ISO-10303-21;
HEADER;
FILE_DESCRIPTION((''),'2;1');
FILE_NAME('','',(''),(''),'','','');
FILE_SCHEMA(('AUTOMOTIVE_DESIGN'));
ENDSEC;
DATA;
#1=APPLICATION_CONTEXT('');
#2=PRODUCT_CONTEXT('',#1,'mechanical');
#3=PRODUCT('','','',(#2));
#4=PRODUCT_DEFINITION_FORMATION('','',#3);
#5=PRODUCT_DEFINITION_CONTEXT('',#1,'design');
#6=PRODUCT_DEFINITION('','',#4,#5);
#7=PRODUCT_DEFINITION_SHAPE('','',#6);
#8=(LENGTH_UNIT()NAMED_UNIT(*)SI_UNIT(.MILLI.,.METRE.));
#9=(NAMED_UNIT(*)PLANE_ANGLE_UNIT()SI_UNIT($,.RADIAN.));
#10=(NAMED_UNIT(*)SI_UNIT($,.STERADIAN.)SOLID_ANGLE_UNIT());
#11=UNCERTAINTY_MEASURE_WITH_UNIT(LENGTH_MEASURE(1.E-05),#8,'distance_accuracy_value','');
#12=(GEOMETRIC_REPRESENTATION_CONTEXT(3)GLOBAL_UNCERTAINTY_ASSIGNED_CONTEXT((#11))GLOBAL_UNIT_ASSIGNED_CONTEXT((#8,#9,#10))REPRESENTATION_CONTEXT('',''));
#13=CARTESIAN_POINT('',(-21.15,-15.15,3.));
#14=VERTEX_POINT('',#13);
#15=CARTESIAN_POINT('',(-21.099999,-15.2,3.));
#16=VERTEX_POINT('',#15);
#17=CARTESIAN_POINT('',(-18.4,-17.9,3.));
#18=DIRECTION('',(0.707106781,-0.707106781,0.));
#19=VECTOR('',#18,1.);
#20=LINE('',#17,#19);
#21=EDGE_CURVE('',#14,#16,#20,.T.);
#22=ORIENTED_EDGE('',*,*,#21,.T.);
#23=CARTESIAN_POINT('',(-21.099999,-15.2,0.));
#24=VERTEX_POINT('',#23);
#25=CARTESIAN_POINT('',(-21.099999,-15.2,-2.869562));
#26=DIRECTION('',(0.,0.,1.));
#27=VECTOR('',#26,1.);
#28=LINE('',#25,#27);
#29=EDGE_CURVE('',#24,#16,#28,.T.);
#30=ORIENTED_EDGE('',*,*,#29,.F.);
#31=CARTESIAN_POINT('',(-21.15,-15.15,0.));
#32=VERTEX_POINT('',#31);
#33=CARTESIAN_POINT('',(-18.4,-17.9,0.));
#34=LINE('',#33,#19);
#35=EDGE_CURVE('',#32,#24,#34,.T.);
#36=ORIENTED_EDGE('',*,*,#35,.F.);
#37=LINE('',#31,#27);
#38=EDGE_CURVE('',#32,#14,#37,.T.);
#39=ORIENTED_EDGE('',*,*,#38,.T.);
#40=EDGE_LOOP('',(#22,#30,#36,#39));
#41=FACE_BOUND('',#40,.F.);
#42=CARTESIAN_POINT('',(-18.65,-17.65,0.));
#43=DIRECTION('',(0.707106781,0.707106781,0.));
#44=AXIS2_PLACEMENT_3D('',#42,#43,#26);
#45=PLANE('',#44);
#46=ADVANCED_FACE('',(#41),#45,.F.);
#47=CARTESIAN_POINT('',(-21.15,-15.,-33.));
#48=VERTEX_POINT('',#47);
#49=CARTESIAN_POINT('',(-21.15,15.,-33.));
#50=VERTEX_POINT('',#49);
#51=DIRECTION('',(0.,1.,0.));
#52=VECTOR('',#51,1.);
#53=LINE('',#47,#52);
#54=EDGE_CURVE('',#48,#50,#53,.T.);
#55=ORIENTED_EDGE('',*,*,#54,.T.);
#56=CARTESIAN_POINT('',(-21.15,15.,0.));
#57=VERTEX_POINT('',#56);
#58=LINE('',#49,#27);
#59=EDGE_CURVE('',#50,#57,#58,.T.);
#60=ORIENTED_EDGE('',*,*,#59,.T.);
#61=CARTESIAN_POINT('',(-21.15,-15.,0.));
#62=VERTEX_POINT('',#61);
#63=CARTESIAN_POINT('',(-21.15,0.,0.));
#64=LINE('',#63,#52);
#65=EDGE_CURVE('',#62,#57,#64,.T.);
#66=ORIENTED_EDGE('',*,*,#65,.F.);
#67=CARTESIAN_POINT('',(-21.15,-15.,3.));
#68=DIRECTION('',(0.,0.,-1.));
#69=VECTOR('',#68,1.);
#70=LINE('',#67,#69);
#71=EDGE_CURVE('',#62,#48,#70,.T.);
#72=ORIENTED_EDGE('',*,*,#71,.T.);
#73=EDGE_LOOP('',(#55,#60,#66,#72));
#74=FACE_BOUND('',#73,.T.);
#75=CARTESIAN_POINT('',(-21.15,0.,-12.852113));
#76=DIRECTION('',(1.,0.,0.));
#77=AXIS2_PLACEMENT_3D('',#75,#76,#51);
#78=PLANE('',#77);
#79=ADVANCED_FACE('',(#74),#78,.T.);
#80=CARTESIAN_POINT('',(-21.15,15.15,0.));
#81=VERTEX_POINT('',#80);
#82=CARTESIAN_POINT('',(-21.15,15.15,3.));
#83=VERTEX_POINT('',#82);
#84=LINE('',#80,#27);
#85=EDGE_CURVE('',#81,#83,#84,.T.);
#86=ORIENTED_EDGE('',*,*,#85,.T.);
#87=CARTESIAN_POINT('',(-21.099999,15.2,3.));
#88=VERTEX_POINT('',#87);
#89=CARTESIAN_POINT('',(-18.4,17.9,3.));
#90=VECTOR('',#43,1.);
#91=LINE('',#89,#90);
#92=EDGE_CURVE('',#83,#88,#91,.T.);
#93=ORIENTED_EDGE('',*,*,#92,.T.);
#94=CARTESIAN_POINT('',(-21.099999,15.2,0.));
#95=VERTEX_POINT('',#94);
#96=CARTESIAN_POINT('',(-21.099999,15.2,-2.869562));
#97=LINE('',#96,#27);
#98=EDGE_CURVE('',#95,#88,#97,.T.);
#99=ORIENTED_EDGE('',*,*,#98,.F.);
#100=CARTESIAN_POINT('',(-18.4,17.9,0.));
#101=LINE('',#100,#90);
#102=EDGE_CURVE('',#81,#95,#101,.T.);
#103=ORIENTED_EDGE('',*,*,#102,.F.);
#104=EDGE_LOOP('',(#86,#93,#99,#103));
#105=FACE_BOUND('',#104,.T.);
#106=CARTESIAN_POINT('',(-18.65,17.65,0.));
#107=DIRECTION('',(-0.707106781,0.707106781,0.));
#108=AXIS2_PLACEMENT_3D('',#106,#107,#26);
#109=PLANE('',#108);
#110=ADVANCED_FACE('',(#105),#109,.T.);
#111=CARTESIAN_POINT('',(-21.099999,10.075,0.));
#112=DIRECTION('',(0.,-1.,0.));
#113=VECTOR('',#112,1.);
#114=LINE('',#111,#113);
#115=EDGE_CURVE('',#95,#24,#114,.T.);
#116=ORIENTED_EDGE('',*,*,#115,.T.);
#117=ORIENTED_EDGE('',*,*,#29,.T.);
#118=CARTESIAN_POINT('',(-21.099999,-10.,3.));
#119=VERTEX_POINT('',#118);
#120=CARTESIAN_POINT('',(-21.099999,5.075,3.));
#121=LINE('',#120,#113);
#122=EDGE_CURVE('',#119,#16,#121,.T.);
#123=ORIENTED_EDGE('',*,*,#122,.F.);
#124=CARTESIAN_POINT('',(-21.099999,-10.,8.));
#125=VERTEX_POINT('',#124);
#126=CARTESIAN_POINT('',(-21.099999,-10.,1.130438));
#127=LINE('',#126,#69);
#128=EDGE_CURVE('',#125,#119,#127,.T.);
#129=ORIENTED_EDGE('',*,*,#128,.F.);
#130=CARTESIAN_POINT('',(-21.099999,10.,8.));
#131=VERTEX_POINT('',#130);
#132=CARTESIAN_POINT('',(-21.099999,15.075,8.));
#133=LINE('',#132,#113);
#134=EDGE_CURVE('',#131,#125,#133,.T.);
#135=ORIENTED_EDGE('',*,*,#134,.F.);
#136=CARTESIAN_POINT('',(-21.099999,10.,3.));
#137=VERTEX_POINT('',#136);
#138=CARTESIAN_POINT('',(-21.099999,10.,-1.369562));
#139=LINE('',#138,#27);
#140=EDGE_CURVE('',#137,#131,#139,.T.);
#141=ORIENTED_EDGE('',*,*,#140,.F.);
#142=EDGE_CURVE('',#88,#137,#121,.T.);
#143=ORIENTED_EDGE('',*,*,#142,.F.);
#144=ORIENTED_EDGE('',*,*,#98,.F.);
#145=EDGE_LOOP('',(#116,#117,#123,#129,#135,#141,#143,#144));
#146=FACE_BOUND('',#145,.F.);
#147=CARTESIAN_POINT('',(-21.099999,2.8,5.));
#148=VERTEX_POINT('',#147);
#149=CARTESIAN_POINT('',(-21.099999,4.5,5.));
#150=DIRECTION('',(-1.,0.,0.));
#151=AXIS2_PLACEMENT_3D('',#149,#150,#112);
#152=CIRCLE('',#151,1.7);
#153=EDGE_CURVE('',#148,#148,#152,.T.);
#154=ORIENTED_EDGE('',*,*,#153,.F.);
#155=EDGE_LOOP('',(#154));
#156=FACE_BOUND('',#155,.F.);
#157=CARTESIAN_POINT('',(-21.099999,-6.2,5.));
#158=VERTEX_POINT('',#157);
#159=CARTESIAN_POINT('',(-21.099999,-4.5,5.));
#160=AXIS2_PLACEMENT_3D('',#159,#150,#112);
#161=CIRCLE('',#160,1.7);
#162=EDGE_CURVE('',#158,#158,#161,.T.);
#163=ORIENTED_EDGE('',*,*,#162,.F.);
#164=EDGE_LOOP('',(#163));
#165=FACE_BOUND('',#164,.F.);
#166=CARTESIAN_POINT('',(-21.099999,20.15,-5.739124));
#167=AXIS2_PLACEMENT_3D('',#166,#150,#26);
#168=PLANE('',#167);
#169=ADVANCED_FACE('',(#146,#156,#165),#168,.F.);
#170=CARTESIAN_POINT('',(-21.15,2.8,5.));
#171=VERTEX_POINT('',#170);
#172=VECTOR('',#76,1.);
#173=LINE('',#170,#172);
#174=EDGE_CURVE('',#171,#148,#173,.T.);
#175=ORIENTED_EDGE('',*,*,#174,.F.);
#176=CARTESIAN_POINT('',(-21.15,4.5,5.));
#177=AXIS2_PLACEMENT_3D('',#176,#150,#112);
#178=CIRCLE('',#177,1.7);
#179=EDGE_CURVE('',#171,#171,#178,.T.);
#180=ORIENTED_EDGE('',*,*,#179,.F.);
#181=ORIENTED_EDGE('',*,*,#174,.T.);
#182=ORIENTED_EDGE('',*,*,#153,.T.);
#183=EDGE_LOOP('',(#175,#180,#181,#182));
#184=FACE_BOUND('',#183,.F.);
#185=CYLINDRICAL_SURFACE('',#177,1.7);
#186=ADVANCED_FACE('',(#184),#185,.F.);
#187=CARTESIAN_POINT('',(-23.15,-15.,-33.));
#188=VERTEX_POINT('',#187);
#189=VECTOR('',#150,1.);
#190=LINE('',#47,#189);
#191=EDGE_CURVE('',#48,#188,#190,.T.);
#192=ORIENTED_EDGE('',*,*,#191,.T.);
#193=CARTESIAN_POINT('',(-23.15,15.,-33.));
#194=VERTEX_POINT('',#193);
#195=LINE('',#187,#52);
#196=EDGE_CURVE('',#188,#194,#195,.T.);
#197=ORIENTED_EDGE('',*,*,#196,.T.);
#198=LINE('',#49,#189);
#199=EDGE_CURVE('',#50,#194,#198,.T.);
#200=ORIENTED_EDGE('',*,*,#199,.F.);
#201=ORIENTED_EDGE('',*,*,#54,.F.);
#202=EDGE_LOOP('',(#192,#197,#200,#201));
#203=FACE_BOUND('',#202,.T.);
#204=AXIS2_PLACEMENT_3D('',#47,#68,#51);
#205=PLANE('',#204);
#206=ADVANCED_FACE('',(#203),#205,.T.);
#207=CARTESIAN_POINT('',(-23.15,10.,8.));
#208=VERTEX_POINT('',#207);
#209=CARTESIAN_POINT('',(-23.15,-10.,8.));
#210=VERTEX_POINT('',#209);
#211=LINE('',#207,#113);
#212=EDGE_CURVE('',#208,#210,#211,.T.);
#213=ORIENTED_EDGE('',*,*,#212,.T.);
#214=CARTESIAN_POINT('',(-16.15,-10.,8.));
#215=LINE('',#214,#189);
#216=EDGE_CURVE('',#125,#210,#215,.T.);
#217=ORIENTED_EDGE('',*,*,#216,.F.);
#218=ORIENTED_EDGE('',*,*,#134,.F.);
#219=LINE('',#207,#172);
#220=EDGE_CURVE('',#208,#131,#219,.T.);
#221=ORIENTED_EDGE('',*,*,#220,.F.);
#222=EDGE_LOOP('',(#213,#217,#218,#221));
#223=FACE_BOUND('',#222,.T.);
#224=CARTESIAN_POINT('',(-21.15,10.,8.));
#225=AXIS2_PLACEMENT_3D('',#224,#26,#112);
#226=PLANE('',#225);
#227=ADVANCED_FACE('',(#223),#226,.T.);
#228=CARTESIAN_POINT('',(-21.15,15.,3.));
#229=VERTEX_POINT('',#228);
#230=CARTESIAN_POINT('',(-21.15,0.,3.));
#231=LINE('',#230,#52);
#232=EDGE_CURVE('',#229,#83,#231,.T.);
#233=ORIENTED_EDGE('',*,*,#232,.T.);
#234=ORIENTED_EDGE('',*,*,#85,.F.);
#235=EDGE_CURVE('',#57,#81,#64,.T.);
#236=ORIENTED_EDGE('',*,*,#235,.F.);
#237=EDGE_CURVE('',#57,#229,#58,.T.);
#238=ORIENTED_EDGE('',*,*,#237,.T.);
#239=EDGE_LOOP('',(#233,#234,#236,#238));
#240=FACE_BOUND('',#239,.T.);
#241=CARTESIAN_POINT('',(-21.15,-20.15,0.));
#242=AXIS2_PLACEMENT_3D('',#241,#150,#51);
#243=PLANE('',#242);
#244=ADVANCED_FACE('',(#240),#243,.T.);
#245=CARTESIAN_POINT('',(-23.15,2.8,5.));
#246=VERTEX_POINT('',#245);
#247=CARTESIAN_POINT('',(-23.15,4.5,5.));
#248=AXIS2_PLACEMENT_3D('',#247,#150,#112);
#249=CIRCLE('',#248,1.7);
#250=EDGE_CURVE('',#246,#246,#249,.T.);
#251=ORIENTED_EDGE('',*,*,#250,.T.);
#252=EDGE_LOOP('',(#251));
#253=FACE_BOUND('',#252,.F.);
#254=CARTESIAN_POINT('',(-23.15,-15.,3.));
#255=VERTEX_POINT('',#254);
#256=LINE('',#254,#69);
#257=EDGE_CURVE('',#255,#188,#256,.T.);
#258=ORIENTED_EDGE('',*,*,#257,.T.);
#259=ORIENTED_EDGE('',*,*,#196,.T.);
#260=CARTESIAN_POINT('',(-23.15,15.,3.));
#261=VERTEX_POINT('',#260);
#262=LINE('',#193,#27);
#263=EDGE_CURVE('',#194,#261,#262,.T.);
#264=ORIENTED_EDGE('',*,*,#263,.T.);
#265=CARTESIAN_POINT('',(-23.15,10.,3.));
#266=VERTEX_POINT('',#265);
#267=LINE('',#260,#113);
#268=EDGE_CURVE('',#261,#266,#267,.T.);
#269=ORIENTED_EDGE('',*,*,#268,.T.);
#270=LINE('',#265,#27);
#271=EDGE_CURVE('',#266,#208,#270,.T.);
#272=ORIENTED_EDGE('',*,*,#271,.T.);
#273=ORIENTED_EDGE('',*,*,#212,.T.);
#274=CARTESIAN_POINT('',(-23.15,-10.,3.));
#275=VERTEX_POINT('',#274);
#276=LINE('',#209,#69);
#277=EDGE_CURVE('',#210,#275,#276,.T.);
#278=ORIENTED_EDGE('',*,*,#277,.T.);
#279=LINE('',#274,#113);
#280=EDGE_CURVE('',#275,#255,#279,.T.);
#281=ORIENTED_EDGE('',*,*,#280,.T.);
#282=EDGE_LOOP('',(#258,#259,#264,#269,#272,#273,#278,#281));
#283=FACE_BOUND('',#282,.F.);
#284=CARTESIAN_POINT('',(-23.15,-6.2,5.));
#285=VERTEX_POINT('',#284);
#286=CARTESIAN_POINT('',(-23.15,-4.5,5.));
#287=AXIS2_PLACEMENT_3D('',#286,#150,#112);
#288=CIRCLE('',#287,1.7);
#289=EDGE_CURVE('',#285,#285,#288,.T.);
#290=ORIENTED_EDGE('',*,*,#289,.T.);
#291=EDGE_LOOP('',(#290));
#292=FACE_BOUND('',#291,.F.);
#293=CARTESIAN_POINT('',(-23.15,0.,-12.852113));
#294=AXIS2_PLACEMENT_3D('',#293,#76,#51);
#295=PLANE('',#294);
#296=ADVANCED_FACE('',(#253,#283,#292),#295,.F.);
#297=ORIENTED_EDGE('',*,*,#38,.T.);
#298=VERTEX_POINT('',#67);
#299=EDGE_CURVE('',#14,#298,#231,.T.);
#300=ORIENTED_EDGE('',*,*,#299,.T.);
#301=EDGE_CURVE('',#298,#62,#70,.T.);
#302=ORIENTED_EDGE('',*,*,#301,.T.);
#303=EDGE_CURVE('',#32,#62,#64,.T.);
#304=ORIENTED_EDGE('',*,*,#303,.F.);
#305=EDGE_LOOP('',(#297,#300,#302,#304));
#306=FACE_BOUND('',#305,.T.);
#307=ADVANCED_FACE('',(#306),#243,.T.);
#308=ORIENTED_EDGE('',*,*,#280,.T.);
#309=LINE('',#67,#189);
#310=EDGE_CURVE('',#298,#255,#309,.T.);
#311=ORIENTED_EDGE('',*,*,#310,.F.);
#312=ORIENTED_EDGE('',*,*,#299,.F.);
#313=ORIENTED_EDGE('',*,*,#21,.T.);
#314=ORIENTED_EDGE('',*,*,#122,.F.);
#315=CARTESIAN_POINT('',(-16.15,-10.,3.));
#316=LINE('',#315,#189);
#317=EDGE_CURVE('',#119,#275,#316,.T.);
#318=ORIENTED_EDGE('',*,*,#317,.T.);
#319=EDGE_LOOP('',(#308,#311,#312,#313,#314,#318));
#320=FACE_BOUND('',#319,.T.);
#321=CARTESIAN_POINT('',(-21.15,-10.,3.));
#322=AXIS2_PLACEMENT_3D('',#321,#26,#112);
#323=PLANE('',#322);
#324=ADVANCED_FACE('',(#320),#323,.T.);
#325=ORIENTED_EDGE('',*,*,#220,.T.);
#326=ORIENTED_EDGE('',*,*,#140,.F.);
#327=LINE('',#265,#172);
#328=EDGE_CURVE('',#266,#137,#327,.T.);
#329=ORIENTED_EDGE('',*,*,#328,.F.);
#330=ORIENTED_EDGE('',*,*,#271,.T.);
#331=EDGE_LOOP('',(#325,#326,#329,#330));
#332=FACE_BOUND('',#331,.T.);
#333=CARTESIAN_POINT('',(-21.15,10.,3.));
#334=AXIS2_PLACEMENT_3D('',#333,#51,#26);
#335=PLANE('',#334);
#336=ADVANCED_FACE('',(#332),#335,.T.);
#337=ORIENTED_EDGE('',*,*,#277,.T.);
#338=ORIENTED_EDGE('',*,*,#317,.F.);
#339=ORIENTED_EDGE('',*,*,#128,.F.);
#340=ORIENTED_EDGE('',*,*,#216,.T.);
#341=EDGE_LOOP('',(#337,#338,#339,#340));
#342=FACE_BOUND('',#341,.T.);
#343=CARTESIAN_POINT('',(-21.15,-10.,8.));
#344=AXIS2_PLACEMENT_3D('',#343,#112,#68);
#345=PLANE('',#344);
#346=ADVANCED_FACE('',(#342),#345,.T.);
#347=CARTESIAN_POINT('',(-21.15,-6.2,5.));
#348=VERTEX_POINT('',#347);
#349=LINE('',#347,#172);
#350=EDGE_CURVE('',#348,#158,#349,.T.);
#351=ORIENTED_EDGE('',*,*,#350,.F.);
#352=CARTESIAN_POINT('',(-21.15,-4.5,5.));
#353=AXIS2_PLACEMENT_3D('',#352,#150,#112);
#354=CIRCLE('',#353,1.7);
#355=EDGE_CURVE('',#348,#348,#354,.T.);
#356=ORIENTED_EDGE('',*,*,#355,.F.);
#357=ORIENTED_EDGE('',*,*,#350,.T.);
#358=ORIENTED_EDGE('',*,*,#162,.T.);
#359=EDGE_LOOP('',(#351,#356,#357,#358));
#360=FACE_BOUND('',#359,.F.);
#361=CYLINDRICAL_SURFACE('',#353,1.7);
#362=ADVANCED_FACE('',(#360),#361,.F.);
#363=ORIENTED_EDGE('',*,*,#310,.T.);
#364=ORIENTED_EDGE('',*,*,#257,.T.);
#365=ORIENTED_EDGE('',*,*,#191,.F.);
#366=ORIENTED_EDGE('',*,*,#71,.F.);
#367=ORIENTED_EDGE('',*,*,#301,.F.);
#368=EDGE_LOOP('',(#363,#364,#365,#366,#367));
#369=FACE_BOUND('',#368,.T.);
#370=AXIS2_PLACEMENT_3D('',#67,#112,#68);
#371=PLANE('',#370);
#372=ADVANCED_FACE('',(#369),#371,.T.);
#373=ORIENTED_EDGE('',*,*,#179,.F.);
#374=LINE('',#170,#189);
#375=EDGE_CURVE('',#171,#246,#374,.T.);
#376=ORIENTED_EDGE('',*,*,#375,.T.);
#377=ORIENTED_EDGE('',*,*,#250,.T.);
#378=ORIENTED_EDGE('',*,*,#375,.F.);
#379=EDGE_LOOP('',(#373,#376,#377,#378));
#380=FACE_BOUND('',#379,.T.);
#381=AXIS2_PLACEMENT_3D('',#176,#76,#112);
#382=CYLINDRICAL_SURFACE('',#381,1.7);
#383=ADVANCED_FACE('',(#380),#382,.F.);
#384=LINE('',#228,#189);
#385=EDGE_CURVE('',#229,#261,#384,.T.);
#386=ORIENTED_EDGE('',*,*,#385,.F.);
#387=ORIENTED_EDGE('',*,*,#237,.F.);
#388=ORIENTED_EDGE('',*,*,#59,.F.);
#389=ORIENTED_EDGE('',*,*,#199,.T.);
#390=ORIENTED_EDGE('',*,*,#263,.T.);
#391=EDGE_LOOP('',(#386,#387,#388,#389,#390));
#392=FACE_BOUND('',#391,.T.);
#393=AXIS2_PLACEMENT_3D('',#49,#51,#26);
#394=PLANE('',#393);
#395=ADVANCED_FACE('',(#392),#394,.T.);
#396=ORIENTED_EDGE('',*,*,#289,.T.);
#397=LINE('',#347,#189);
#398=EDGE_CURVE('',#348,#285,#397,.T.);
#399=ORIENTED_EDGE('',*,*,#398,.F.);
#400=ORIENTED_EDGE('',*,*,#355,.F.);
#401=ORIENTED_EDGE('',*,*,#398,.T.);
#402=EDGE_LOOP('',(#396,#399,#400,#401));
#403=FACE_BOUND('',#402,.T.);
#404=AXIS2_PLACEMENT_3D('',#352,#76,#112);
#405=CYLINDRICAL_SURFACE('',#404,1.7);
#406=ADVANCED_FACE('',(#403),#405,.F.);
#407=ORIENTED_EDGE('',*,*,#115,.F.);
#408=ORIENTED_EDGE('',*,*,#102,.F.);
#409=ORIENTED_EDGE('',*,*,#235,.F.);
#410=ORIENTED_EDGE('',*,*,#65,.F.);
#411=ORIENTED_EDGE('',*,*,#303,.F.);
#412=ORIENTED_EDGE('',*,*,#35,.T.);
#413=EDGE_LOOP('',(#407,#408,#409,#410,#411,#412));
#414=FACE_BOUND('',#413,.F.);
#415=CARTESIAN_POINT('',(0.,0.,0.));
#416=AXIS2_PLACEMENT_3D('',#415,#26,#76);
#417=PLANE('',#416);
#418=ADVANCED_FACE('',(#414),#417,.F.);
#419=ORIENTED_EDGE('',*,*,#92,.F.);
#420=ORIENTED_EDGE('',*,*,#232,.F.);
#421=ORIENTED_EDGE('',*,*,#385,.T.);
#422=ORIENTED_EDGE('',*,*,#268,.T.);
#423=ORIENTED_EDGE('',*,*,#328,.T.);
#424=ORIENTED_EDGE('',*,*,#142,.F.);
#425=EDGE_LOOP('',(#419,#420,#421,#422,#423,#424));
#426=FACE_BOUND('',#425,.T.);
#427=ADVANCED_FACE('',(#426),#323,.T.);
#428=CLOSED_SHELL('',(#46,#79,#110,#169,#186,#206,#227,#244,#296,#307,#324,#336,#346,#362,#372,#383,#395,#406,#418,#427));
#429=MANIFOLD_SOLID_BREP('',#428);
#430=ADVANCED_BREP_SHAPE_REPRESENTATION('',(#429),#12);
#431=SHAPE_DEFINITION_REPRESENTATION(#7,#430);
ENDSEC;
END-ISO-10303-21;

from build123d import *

# Parameters (mm, degrees)
SKETCH_W        = 42.3
SKETCH_H        = 40.3
SKETCH_R        = 12
SKETCH_R_2      = 1.7
PAD_DEPTH       = 3
CHAMFER_SIZE    = 5
SKETCH001_W     = 5
SKETCH001_H     = 20
PAD001_DEPTH    = 5
SKETCH002_R     = 1.7
POCKET_DEPTH    = 42.301
POCKET001_DEPTH = 1.5
SKETCH004_R     = 1.7
PAD002_DEPTH    = 2
SKETCH005_W     = 47.453737
SKETCH005_H     = 16.482529
POCKET002_DEPTH = 50


with BuildPart() as part:
    # Sketch → Pad (new body)
    with BuildSketch(Plane.XY):
        Rectangle(SKETCH_W, SKETCH_H)
        Circle(SKETCH_R, mode=Mode.SUBTRACT)
        with Locations((-15.5, 15.5)):
            Circle(SKETCH_R_2, mode=Mode.SUBTRACT)
        with Locations((-15.5, -15.5)):
            Circle(SKETCH_R_2, mode=Mode.SUBTRACT)
        with Locations((15.5, -15.5)):
            Circle(SKETCH_R_2, mode=Mode.SUBTRACT)
        with Locations((15.5, 15.5)):
            Circle(SKETCH_R_2, mode=Mode.SUBTRACT)
    extrude(amount=PAD_DEPTH)

    # Chamfer
    chamfer_edges = [part.edges().sort_by_distance(p)[0] for p in [
        (21.15, -20.15, 1.5),
        (-21.15, -20.15, 1.5),
        (21.15, 20.15, 1.5),
        (-21.15, 20.15, 1.5),
    ]]
    chamfer(chamfer_edges, length=CHAMFER_SIZE)

    # Sketch001 (on Face5 of Chamfer) → Pad001 (join)
    with BuildSketch(Plane.XY.offset(3)):
        with Locations((-18.65, 0)):
            Rectangle(SKETCH001_W, SKETCH001_H)
    extrude(amount=PAD001_DEPTH)

    # Sketch002 (on Face19 of Pad001) → Pocket (cut, through all)
    with BuildSketch(Plane(origin=(-21.15, 0, 0), x_dir=(0, -1, 0), z_dir=(-1, 0, 0))):
        with Locations((-4.5, 5)):
            Circle(SKETCH002_R)
        with Locations((4.5, 5)):
            Circle(SKETCH002_R)
    extrude(amount=-POCKET_DEPTH, mode=Mode.SUBTRACT)

    # Sketch003 (on DatumPlane) → Pocket001 (cut, symmetric)
    with BuildSketch(Plane(origin=(-18.65, 0, 0), x_dir=(0, -1, 0), z_dir=(-1, 0, 0))):
        Polygon((4.5, 1.65), (7.401185, 3.325), (7.401185, 13.325), (1.598815, 13.325), (1.598815, 3.325), align=None)
        Polygon((-4.5, 1.65), (-1.598815, 3.325), (-1.598815, 13.325), (-7.401185, 13.325), (-7.401185, 3.325), align=None)
    extrude(amount=POCKET001_DEPTH, both=True, mode=Mode.SUBTRACT)

    # Sketch004 (on Face6 of Pocket001) → Pad002 (join)
    with BuildSketch(Plane(origin=(-21.15, 0, 0), x_dir=(0, -1, 0), z_dir=(-1, 0, 0))):
        Polygon((15, -33), (-15, -33), (-15, 3), (-10, 3), (-10, 8), (10, 8), (10, 3), (15, 3), align=None)
        with Locations((-4.5, 5)):
            Circle(SKETCH004_R, mode=Mode.SUBTRACT)
        with Locations((4.5, 5)):
            Circle(SKETCH004_R, mode=Mode.SUBTRACT)
    extrude(amount=PAD002_DEPTH)

    # Sketch005 (on Face1 of Pad002) → Pocket002 (cut)
    with BuildSketch(Plane(origin=(0, 20.15, 0), x_dir=(-1, 0, 0), z_dir=(0, 1, 0))):
        with Locations((-2.626869, 2.50214)):
            Rectangle(SKETCH005_W, SKETCH005_H)
    extrude(amount=-POCKET002_DEPTH, mode=Mode.SUBTRACT)


solid = part.part
